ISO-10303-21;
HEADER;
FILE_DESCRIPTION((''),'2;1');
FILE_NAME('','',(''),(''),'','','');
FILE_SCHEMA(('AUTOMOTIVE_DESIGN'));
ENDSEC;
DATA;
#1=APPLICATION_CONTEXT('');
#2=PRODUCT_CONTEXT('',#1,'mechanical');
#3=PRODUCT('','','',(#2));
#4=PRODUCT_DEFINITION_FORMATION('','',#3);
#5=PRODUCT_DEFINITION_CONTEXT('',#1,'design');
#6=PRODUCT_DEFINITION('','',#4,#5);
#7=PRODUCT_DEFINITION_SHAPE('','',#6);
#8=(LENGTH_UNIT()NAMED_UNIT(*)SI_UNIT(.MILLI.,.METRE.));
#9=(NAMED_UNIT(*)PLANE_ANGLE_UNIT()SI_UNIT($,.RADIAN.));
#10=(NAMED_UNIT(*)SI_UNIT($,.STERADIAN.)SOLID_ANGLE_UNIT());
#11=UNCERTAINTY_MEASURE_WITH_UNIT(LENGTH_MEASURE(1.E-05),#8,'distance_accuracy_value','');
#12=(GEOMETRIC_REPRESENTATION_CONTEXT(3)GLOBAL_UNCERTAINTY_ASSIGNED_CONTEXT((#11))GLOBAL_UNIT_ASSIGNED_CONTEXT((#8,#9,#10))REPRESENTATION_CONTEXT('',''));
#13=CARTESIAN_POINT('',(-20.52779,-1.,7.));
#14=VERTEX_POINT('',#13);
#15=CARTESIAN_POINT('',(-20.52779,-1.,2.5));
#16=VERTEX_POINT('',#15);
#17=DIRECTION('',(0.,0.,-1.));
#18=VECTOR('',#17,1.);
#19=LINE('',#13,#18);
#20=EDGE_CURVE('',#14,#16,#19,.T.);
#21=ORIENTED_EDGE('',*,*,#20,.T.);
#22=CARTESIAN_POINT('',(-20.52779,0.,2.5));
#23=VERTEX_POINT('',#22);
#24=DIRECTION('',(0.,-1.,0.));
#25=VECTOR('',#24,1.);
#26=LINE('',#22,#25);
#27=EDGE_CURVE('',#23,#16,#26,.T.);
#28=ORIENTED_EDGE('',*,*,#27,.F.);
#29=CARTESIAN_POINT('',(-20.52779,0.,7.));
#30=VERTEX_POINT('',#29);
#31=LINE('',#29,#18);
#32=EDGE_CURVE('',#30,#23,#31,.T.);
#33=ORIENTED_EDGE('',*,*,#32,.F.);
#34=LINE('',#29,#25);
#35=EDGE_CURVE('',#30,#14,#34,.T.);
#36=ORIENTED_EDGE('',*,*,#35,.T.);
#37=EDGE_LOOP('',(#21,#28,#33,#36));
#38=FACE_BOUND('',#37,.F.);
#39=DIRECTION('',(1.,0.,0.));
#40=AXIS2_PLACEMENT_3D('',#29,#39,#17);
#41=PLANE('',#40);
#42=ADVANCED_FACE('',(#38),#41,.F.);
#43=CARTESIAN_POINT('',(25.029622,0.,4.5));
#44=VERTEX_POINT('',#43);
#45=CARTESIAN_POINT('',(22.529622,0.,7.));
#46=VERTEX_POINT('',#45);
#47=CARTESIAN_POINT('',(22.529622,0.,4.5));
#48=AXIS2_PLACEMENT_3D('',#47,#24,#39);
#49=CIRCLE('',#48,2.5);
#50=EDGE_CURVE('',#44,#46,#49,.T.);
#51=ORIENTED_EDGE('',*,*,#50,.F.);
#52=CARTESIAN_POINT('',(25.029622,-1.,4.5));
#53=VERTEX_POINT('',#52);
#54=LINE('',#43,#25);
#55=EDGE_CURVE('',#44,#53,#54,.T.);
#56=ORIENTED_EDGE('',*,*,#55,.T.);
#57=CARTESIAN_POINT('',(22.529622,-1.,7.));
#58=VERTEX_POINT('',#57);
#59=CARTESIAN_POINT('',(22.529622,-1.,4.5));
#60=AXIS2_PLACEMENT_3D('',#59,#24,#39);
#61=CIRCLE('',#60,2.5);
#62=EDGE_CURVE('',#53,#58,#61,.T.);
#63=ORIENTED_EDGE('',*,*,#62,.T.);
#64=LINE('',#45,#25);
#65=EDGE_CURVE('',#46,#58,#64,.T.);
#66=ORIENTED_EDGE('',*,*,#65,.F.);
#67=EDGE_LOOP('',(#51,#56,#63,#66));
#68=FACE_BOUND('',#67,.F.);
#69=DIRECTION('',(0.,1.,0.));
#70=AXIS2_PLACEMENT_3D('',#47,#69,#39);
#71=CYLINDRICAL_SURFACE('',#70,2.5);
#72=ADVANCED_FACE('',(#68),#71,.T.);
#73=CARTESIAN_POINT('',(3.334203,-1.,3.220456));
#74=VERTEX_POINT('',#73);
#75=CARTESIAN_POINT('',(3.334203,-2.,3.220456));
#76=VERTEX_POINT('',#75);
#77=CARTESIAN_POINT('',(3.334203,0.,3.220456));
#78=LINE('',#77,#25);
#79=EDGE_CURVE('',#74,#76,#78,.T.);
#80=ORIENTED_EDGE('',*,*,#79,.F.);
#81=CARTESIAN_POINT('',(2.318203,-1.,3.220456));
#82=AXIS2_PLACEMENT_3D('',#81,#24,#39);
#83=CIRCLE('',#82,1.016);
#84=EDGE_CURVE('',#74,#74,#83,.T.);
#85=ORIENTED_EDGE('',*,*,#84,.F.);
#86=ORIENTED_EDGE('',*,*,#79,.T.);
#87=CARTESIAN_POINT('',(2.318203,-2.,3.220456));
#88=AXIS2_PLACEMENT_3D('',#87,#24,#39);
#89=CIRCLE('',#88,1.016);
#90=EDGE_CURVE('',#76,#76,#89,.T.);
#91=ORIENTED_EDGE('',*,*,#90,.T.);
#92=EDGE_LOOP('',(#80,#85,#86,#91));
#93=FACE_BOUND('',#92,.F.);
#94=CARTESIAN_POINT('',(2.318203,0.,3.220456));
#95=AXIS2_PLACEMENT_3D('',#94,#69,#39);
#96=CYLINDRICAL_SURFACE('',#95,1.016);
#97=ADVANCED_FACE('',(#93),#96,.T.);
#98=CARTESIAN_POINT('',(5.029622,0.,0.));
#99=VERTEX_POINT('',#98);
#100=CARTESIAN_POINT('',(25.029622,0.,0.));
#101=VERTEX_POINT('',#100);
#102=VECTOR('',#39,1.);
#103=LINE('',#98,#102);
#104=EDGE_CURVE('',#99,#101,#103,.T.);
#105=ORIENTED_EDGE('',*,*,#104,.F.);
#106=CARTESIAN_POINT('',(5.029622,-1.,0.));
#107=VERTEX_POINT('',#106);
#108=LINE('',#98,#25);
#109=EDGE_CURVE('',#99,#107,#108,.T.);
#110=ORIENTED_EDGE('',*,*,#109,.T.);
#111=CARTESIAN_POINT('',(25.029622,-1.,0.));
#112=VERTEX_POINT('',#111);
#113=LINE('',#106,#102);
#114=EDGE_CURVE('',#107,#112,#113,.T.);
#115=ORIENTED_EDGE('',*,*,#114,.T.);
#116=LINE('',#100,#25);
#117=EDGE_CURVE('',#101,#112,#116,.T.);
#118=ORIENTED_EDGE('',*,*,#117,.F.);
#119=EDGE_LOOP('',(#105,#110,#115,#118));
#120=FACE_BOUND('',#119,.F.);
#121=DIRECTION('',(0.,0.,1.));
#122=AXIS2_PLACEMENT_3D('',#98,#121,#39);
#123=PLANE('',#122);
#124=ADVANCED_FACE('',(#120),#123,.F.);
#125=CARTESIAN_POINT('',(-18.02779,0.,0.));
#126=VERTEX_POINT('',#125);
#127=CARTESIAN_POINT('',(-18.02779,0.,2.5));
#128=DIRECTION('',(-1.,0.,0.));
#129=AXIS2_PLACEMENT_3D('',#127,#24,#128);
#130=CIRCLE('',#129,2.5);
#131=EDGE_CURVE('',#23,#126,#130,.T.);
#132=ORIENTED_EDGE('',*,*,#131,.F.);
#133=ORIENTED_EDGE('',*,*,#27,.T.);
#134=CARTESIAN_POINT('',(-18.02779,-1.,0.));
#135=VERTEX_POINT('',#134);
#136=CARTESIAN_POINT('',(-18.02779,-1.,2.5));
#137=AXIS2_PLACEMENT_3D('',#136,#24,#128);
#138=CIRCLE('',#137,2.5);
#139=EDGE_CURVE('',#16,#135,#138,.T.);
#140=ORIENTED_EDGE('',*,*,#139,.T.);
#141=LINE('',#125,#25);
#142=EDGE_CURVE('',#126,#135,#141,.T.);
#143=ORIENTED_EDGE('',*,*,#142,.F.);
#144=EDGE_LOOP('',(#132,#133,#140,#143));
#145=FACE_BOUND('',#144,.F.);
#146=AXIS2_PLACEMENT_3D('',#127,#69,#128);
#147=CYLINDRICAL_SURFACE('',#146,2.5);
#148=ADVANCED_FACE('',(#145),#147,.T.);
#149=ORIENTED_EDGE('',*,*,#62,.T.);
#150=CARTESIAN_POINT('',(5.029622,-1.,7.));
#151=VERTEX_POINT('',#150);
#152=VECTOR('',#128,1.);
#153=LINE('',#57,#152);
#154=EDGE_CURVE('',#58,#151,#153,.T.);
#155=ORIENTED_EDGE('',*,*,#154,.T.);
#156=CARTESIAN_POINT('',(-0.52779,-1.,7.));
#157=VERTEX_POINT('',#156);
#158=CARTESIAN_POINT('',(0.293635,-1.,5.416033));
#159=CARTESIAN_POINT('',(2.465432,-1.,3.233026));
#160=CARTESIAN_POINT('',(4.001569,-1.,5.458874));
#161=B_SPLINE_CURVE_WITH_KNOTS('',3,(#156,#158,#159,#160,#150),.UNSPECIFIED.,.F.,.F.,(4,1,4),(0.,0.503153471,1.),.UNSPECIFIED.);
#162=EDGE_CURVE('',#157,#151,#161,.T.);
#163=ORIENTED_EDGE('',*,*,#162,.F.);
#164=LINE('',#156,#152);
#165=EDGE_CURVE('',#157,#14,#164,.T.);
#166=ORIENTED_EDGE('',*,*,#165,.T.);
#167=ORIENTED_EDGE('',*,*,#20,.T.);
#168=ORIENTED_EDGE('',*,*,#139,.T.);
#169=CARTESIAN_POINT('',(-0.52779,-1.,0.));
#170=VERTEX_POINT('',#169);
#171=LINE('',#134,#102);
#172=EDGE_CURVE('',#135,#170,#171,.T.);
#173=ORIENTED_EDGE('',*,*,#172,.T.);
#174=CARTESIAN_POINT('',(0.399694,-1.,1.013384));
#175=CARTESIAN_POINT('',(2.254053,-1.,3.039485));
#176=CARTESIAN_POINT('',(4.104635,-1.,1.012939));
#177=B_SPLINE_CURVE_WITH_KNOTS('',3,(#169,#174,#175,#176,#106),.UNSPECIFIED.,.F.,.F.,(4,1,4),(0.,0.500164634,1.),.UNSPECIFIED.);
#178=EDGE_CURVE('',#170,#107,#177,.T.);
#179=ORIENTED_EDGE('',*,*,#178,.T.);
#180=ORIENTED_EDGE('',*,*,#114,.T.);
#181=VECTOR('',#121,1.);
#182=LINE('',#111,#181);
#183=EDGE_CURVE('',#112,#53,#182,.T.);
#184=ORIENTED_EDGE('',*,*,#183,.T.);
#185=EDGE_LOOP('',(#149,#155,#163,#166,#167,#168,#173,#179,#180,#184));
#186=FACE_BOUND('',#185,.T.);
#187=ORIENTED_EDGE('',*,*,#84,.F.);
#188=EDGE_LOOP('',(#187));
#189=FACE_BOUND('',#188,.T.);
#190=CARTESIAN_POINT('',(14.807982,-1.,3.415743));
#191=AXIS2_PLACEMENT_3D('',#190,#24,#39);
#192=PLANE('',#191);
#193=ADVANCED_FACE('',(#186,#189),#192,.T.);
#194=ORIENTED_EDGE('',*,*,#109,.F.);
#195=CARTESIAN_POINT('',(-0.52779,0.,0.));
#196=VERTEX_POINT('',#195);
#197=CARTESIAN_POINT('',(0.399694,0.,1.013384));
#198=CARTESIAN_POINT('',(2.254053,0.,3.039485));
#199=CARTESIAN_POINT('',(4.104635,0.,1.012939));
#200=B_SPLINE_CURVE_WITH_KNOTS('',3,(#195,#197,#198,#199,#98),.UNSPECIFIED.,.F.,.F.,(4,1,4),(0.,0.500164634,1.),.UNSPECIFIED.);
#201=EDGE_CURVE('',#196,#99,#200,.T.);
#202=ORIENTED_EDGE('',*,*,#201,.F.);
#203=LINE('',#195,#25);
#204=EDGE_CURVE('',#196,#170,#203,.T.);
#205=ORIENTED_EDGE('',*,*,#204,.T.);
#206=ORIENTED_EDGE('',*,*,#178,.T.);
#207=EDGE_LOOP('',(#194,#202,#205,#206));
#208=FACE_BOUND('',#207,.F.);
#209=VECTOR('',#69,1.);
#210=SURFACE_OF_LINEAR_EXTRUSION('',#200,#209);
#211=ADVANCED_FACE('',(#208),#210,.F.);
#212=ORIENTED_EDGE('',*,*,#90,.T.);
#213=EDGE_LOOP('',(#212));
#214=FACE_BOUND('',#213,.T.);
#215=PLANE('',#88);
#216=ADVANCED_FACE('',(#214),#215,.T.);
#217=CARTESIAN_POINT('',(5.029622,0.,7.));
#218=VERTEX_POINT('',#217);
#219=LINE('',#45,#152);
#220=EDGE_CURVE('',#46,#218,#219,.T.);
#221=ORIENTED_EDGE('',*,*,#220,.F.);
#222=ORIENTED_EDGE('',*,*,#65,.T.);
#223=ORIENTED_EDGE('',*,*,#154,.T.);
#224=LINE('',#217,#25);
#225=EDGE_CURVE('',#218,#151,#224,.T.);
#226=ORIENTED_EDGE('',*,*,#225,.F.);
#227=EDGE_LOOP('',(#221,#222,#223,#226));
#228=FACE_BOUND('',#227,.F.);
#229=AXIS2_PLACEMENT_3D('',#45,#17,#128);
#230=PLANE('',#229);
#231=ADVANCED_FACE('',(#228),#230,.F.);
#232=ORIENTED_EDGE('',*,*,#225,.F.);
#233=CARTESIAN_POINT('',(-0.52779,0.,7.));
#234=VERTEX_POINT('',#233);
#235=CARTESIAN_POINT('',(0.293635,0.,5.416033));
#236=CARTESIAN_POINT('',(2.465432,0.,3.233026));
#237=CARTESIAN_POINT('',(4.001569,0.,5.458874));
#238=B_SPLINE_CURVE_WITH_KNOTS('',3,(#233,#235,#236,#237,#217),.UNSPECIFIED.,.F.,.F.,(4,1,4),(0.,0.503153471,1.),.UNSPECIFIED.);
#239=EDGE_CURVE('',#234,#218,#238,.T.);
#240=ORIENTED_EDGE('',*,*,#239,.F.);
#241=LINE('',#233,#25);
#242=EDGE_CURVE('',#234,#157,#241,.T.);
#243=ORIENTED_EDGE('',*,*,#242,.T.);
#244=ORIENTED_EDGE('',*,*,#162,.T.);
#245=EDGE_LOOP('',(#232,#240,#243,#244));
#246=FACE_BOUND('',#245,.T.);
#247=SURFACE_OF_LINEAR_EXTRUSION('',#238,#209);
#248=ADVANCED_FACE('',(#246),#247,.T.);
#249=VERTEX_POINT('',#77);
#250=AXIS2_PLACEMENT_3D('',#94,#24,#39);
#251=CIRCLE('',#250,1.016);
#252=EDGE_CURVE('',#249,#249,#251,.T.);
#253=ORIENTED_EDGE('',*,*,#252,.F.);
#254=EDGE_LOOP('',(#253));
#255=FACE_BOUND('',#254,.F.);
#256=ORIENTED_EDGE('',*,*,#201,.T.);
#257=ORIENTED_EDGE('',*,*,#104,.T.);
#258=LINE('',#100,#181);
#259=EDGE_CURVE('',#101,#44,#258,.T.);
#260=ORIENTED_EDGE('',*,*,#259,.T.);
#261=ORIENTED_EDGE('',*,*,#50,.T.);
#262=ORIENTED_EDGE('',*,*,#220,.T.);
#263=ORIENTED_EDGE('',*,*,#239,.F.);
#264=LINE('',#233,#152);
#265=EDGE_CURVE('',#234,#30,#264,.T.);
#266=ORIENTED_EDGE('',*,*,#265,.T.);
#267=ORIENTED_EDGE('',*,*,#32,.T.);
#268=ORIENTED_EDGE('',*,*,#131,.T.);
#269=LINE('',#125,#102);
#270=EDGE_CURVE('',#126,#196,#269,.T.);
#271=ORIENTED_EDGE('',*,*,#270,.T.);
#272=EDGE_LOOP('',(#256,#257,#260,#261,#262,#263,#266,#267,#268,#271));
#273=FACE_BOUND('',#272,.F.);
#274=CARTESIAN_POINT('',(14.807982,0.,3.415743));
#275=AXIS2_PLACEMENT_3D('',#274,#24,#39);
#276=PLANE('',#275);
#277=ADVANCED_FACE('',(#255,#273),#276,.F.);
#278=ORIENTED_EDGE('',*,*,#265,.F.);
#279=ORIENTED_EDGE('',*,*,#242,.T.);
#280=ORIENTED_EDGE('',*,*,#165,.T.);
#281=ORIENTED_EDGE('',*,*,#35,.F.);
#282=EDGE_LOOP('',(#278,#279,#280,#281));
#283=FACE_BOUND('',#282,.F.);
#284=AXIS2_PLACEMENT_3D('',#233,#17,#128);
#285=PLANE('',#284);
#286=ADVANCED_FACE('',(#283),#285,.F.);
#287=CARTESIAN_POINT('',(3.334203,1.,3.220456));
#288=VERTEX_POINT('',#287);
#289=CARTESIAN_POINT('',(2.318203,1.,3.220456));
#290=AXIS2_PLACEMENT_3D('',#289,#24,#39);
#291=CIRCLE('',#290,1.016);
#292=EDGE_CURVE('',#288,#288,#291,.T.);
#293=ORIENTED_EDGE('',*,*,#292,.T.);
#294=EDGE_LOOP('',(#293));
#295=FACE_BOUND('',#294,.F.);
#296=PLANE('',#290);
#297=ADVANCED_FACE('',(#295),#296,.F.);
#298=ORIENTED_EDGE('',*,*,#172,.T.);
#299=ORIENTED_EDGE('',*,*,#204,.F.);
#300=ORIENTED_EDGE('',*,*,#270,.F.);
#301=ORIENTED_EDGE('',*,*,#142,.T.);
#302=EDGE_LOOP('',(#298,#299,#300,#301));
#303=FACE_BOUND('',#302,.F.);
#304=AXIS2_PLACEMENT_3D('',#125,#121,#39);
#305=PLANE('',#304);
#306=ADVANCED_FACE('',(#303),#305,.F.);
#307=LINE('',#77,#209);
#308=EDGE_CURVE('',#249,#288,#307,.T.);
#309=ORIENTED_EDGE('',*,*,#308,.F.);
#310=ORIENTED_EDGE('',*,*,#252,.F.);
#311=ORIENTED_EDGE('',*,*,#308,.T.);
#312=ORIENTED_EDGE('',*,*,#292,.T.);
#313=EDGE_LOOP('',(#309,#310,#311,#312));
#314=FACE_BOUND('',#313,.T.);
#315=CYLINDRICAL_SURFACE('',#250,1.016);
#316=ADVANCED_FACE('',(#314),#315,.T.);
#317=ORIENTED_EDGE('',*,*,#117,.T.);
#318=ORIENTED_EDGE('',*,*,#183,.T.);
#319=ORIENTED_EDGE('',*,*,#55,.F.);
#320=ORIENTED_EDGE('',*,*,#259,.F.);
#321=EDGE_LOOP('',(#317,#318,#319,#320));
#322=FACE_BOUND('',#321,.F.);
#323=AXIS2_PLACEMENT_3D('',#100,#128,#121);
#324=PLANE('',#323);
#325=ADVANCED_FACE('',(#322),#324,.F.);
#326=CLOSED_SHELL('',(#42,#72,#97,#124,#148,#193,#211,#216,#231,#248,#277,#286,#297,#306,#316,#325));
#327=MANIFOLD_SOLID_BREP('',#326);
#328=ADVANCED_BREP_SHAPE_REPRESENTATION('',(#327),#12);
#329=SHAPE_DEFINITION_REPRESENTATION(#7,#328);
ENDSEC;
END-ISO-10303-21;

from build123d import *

# Parameters (mm, degrees)
F0_R     = 1.016
F1_DEPTH = 1
F2_DEPTH = 2
F3_DEPTH = 1


with BuildPart() as f1:
    # F0 (on Front) → F1 (new body)
    with BuildSketch(Plane.XZ):
        with BuildLine():
            Line((22.5296217646, 7), (5.0296217646, 7))
            Line((5.0296217646, 7), (5.0296217646, 0))
            Line((5.0296217646, 0), (25.0296217646, 0))
            Line((25.0296217646, 0), (25.0296217646, 4.5))
            ThreePointArc((25.0296217646, 4.5), (24.2973887176, 6.267766953), (22.5296217646, 7))
        make_face()
        with BuildLine():
            Line((-0.5277903524, 7), (-20.5277903524, 7))
            Line((-20.5277903524, 7), (-20.5277903524, 2.5))
            ThreePointArc((-20.5277903524, 2.5), (-19.7955573054, 0.732233047), (-18.0277903524, 0))
            Line((-18.0277903524, 0), (-0.5277903524, 0))
            Line((-0.5277903524, 0), (-0.5277903524, 7))
        make_face()
        with BuildLine():
            add(Edge.make_bspline(
                [(-0.5277903524, 7), (0.2936347767, 5.4160328527), (2.4654319937, 3.2330255819), (4.0015688672, 5.4588735962), (5.0296217646, 7)],
                knots=[0, 0, 0, 0, 0.503153471, 1, 1, 1, 1], degree=3))
            Line((-0.5277903524, 7), (-0.5277903524, 0))
            add(Edge.make_bspline(
                [(-0.5277903524, 0), (0.3996940581, 1.0133841191), (2.2540528119, 3.0394852076), (4.104635181, 1.0129391145), (5.0296217646, 0)],
                knots=[0, 0, 0, 0, 0.5001646338, 1, 1, 1, 1], degree=3))
            Line((5.0296217646, 0), (5.0296217646, 7))
        make_face()
        with Locations((2.3182034492, 3.2204561867)):
            Circle(F0_R, mode=Mode.SUBTRACT)
    extrude(amount=F1_DEPTH)

    # F0 (on Front) → F2 (join)
    with BuildSketch(Plane.XZ):
        with Locations((2.3182034492, 3.2204561867)):
            Circle(F0_R)
    extrude(amount=F2_DEPTH)

    # F0 (on Front) → F3 (join)
    with BuildSketch(Plane.XZ):
        with Locations((2.3182034492, 3.2204561867)):
            Circle(F0_R)
    extrude(amount=-F3_DEPTH)


solid = f1.part
